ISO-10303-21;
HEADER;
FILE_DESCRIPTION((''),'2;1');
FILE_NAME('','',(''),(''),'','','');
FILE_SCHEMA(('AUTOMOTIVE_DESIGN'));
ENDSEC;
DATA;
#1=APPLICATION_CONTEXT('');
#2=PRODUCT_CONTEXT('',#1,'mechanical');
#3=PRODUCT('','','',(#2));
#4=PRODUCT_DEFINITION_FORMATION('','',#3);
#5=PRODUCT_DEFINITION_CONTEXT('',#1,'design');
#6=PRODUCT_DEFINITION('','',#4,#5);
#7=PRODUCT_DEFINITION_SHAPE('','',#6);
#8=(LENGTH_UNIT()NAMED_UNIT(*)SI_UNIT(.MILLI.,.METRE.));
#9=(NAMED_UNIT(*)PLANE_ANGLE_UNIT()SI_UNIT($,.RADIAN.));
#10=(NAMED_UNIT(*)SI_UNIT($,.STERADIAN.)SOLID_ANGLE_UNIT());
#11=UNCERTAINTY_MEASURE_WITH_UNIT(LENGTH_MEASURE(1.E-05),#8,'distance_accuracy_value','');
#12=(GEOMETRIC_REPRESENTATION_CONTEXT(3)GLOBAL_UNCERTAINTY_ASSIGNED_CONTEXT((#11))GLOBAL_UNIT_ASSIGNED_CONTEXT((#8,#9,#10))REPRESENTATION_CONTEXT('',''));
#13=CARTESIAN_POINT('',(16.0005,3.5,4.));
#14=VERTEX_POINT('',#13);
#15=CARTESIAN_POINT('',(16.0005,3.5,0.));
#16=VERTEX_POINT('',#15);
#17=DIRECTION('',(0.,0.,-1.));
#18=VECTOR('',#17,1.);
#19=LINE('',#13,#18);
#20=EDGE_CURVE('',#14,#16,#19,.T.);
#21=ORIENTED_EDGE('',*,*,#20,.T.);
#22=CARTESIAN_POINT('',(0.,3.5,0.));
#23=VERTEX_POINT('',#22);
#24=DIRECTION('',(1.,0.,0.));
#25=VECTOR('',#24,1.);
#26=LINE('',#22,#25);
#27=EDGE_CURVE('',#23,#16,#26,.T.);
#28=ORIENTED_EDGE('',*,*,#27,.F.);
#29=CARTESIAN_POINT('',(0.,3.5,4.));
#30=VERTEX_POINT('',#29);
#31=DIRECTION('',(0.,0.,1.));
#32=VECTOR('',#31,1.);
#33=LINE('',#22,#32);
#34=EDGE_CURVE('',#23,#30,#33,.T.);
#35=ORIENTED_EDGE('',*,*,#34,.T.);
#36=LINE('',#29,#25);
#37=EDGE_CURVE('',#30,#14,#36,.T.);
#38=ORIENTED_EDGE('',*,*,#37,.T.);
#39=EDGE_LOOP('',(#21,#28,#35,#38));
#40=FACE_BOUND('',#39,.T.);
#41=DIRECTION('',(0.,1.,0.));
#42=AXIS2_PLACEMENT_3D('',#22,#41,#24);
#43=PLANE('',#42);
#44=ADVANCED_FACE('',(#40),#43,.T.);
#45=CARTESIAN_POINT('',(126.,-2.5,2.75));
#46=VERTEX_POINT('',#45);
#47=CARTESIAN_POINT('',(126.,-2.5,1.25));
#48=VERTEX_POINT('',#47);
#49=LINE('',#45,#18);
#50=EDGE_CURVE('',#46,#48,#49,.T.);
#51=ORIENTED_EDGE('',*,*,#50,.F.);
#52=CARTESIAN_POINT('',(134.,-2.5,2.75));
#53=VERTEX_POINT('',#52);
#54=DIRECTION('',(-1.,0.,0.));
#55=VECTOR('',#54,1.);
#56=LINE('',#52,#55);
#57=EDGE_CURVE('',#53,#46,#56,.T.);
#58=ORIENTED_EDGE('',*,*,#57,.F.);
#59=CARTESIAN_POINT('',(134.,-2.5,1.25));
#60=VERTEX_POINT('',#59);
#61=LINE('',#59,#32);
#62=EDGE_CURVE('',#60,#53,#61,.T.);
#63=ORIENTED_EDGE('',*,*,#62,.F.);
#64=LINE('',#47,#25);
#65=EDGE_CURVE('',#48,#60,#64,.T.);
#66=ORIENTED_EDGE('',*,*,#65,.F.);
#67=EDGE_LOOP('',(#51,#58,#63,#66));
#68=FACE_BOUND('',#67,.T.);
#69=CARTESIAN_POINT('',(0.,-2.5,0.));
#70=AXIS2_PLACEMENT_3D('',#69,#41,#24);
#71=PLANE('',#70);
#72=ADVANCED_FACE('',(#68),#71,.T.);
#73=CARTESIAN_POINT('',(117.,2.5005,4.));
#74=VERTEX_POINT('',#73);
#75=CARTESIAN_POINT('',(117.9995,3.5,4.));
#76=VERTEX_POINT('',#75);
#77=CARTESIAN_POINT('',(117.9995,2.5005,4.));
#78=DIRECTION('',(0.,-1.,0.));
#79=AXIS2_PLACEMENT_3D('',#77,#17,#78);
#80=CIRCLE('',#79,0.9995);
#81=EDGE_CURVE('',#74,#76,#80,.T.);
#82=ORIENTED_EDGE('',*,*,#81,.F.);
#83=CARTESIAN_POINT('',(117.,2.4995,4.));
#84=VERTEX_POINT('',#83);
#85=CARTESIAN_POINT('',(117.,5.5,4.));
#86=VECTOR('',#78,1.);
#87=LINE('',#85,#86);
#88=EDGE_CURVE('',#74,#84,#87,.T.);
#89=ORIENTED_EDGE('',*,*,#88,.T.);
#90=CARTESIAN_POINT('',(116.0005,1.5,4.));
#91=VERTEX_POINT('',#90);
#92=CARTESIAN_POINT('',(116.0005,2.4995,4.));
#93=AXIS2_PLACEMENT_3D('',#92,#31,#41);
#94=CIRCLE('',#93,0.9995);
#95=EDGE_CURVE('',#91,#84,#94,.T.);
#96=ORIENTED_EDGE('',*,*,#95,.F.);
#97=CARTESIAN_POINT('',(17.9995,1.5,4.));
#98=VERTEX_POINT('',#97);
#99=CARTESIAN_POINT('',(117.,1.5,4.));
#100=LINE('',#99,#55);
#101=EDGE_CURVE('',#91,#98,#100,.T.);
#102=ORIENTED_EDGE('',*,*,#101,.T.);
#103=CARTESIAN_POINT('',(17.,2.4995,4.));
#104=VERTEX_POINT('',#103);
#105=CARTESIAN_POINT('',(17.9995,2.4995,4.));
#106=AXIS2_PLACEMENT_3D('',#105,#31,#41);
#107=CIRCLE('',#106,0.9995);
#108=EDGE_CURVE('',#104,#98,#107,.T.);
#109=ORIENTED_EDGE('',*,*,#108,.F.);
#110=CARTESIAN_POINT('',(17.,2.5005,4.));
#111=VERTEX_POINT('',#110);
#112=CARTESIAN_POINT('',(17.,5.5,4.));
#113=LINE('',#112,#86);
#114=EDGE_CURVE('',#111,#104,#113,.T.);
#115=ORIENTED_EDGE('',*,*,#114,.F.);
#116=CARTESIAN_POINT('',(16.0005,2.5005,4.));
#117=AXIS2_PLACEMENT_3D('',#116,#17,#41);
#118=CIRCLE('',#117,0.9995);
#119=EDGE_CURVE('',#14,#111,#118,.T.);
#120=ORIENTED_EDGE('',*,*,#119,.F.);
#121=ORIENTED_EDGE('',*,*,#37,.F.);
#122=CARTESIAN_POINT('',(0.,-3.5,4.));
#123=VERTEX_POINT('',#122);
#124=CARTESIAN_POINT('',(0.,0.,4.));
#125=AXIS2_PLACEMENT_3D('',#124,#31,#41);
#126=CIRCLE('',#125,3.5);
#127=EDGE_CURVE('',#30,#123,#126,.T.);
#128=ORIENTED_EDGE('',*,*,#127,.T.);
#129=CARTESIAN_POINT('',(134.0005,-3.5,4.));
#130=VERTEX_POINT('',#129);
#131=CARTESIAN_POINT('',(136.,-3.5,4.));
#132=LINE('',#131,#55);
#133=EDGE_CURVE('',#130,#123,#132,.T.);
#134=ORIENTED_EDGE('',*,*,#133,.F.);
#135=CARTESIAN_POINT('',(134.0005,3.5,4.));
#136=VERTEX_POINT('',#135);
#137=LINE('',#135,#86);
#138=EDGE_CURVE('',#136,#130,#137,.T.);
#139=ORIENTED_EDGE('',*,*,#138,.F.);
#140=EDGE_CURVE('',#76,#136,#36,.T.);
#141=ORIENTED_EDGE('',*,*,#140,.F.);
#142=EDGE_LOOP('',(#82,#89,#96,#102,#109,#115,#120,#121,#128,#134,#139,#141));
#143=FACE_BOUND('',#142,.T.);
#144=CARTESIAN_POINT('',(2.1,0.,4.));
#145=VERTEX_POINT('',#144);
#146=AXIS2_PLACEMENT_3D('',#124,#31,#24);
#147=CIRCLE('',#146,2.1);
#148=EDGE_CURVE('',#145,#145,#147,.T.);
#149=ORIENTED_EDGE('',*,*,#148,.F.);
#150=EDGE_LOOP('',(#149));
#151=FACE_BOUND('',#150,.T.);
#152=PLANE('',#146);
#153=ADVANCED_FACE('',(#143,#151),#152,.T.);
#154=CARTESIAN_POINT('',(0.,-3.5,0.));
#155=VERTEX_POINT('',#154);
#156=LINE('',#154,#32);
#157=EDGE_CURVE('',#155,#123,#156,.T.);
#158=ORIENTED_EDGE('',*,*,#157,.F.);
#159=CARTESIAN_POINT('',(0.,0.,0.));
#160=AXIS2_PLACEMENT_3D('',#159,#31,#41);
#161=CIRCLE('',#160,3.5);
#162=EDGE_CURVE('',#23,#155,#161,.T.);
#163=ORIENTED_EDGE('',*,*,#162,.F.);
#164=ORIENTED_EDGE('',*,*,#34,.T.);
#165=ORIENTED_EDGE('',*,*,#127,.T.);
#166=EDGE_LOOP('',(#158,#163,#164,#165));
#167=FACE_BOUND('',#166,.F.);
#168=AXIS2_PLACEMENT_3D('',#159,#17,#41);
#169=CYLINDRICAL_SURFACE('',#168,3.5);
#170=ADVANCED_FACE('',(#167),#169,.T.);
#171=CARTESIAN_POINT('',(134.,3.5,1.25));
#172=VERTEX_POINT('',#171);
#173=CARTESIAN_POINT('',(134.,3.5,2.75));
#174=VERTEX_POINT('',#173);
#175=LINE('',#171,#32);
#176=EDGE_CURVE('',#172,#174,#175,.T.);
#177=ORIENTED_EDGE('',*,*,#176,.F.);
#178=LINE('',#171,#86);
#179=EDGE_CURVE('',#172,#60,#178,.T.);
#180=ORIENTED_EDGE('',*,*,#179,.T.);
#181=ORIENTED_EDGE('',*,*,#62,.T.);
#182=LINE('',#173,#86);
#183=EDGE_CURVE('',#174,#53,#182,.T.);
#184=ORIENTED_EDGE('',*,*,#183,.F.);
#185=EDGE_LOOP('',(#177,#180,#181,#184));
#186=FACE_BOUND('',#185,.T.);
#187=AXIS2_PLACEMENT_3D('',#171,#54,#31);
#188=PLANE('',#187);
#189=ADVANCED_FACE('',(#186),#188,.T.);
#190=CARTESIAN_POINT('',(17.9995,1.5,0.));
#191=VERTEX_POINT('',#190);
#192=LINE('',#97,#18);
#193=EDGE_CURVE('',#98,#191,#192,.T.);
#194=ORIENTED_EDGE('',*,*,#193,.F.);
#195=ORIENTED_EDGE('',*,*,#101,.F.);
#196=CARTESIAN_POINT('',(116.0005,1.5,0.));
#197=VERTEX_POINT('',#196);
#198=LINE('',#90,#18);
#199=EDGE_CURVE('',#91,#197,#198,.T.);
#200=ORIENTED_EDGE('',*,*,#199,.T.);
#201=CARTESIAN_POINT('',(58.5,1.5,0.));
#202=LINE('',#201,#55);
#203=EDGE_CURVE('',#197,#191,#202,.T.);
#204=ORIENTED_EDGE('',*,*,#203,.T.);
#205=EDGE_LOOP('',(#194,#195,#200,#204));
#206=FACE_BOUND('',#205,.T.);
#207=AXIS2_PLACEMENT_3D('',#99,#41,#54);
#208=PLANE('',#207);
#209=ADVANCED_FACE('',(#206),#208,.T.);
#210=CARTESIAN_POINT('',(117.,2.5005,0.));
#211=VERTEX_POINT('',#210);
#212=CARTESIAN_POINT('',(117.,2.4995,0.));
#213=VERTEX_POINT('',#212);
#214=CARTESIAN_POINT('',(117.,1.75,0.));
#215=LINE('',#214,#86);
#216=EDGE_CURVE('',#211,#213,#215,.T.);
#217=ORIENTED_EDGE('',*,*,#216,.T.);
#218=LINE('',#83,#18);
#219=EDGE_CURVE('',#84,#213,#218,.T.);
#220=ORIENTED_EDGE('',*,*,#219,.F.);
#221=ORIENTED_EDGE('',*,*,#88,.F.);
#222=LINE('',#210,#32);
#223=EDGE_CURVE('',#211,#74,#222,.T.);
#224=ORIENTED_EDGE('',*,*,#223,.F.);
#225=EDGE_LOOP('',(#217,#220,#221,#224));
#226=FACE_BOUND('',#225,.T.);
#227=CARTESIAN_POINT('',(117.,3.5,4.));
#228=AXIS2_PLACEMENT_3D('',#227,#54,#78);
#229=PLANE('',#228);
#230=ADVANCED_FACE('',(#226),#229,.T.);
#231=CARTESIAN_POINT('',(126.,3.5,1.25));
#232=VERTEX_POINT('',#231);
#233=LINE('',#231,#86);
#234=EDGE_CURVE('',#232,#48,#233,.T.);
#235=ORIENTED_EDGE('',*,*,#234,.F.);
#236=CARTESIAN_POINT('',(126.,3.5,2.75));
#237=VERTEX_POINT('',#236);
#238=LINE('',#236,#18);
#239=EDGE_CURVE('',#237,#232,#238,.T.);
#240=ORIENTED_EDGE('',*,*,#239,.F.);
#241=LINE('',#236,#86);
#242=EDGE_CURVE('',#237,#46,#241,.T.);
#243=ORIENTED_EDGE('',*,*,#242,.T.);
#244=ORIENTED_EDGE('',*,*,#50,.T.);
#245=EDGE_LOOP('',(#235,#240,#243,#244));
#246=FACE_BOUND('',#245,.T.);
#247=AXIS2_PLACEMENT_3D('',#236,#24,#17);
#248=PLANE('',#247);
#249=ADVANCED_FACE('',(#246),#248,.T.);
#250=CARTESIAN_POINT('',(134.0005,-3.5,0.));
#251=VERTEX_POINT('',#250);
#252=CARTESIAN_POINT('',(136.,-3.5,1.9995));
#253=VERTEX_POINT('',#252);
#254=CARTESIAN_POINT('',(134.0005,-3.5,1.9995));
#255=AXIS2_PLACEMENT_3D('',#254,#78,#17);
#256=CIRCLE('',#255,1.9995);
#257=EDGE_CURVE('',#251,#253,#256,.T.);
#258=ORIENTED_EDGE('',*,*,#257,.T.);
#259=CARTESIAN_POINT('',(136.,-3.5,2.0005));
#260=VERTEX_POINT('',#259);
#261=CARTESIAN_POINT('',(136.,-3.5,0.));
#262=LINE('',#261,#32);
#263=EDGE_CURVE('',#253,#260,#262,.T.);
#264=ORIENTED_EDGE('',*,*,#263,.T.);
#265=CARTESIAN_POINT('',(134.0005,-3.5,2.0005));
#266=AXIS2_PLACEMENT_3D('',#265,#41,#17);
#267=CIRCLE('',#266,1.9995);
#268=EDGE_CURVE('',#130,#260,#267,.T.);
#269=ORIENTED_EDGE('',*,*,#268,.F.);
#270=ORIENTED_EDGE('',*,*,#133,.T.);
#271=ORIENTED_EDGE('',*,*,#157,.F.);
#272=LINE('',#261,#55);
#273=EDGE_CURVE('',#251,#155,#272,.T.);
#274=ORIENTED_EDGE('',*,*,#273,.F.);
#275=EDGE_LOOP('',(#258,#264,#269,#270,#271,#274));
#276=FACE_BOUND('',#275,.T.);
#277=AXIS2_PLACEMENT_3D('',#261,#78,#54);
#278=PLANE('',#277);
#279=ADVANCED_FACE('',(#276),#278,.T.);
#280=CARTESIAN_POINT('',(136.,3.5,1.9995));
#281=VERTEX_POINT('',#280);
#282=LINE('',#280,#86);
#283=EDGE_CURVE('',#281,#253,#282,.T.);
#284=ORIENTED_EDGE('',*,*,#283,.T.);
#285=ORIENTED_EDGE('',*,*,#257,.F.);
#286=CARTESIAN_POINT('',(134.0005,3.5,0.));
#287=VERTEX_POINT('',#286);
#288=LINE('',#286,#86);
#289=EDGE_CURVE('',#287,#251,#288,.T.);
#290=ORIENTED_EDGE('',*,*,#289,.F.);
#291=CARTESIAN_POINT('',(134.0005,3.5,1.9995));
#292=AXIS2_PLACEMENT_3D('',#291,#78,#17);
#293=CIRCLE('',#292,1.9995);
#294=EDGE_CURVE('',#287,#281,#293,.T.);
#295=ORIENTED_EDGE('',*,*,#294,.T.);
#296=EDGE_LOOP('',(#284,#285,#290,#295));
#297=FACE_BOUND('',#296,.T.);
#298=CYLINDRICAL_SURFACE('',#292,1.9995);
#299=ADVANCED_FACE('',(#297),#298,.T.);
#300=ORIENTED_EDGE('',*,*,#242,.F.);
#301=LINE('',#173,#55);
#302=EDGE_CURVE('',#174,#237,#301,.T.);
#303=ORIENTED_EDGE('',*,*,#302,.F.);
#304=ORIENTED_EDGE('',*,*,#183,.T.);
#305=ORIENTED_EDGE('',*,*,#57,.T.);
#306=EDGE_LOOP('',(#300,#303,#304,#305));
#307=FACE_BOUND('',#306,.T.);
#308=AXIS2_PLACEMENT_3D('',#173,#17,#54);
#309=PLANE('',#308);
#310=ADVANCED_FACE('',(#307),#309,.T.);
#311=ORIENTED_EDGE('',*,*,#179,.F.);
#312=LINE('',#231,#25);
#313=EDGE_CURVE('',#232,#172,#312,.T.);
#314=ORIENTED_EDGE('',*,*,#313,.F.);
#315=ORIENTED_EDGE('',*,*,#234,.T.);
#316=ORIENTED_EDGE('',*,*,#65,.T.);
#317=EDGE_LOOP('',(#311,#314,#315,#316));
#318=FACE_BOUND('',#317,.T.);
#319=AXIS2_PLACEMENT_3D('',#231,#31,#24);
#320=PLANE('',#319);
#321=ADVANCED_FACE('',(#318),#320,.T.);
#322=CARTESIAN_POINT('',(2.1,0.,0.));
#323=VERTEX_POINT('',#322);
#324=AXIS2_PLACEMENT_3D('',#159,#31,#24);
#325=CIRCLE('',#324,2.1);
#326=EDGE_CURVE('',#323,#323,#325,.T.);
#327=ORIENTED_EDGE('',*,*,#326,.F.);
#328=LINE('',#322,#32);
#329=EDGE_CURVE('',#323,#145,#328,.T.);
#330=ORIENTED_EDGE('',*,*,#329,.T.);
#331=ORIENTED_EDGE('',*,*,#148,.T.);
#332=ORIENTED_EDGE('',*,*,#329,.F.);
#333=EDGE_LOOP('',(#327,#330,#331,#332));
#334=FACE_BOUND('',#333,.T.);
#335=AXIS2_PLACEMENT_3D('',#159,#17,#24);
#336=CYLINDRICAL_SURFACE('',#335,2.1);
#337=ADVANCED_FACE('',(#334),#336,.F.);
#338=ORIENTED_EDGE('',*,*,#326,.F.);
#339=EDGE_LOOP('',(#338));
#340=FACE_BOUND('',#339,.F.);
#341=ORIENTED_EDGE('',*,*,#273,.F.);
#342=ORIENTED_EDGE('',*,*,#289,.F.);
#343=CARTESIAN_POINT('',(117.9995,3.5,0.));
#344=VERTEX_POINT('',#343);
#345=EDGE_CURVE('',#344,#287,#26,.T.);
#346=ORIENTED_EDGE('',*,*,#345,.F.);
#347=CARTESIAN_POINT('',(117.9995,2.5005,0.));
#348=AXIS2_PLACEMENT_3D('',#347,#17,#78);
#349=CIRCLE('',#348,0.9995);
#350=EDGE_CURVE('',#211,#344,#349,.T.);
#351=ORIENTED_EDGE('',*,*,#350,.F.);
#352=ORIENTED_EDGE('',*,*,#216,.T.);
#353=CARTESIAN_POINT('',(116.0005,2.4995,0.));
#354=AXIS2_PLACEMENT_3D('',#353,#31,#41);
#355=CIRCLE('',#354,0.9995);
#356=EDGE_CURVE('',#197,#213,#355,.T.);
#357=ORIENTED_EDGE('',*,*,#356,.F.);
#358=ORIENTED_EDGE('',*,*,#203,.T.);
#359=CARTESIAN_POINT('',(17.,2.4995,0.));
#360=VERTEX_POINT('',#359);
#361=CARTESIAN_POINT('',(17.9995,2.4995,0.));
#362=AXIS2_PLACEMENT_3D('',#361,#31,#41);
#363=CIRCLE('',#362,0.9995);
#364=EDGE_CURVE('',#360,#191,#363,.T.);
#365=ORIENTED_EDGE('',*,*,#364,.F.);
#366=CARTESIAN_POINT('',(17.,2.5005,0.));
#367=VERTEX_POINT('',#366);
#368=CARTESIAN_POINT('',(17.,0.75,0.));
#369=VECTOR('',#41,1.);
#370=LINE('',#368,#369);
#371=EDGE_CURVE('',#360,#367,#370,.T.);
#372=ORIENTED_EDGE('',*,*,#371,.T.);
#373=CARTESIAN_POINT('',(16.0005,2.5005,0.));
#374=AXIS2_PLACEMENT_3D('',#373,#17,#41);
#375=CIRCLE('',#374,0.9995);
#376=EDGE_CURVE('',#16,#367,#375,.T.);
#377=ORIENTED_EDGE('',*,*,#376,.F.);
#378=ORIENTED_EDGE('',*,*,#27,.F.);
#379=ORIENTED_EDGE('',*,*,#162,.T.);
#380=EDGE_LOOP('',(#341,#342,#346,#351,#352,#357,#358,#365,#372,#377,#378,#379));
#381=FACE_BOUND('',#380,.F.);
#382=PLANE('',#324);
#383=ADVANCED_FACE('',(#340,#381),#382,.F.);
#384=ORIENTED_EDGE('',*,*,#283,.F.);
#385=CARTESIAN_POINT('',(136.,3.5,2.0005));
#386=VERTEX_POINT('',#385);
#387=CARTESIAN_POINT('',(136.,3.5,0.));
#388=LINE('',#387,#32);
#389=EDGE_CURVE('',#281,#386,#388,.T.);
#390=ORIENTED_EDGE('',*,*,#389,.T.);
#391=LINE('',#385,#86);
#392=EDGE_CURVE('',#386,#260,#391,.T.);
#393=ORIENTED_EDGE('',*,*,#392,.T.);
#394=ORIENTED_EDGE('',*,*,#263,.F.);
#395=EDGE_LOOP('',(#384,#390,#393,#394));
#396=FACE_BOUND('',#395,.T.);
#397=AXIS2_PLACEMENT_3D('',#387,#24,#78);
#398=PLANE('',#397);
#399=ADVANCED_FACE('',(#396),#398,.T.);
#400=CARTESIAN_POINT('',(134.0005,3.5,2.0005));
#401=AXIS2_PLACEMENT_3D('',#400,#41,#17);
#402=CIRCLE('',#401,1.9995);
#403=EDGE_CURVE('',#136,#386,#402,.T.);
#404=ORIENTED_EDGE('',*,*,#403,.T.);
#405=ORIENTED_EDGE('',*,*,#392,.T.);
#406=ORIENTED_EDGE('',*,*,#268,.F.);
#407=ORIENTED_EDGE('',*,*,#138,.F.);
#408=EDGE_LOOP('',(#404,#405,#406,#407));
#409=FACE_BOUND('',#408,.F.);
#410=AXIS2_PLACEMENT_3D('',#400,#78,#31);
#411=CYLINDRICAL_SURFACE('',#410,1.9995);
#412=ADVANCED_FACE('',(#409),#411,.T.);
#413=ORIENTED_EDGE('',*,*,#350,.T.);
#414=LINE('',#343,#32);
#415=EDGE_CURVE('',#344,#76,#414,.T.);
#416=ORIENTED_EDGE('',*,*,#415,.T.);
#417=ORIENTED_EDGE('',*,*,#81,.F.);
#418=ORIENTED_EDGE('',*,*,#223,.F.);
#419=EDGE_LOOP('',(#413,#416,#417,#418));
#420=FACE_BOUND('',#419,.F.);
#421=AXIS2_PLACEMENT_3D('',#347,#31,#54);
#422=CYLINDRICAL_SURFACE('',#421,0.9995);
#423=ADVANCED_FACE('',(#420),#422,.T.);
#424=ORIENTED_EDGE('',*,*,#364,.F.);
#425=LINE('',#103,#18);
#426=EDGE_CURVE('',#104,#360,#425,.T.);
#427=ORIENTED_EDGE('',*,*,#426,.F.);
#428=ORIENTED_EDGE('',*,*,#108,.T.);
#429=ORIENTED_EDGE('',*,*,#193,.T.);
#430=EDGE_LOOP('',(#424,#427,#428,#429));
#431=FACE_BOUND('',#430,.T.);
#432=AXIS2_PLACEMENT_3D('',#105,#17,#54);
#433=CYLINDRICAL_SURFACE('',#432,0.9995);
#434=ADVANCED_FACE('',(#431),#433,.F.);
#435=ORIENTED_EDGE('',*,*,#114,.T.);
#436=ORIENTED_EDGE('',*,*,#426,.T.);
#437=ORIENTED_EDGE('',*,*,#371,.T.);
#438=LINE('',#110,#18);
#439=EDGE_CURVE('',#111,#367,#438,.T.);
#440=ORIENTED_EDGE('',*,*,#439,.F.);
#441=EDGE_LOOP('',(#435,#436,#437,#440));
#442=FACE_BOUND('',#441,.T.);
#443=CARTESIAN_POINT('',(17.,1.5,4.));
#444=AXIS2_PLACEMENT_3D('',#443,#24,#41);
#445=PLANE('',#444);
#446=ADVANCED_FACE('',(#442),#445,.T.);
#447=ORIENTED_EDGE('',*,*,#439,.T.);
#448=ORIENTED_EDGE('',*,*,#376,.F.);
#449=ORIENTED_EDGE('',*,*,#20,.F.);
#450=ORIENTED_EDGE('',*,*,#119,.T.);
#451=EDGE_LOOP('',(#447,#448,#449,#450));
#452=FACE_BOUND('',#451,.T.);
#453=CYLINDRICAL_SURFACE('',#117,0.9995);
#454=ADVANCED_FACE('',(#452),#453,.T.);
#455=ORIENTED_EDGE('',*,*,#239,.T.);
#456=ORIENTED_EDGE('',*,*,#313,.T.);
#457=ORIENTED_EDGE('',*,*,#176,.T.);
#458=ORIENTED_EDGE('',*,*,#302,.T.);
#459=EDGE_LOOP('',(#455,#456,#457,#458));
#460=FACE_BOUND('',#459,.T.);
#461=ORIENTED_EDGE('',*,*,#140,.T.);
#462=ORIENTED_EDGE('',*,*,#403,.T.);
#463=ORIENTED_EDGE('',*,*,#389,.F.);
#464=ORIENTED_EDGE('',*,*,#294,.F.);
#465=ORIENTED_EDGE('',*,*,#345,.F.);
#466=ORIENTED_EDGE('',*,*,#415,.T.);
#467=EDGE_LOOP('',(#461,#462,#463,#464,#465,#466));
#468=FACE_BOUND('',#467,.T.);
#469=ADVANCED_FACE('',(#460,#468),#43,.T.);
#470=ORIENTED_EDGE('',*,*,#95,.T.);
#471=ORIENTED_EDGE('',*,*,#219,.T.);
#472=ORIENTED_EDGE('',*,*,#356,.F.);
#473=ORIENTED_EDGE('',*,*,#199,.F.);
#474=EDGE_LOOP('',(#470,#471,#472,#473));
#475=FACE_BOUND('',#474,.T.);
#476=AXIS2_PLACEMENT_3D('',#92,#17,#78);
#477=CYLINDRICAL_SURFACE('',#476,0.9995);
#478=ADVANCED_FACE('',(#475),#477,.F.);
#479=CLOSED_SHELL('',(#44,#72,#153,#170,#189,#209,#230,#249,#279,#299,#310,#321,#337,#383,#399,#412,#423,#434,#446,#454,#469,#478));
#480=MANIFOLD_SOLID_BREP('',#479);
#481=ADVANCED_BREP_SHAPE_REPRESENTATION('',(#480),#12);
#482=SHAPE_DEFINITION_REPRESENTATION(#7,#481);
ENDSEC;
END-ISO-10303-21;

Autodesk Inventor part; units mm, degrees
ref_plane "YZ Plane" through (0, 0, 0) normal (1, 0, 0) x (0, 1, 0)
ref_plane "XZ Plane" through (0, 0, 0) normal (0, 1, 0) x (-1, 0, 0)
ref_plane "XY Plane" through (0, 0, 0) normal (0, 0, 1) x (1, 0, 0)
sketch "Sketch1" plane through (0, 0, 0) normal (0, 0, 1) x (1, 0, 0)
  circle A0 centre (0, 0) radius 2.1
  arc A1 (0, 3.5) -> (0, -3.5) centre (0, 0) ccw
  line L0 (0, 3.5) -> (136, 3.5)
  line L1 (136, 3.5) -> (136, -3.5)
  line L2 (136, -3.5) -> (0, -3.5)
  dimension "d0" = 4.2
  dimension "d1" = 7
  dimension "d2" = 136
extrude "Extrusion1" add sketch "Sketch1" along normal blind 4
sketch "Sketch2" plane through (0, 3.5, 0) normal (0, 1, 0) x (1, 0, 0)
  line L0 (136, 0) -> (0, 0) projected
  line L1 (0, 0) -> (0, -4) projected
  line L2 (136, -4) -> (0, -4) projected
  line L3 (136, 0) -> (136, -4) projected
  line L4 (134, -2.75) -> (126, -2.75)
  line L5 (126, -2.75) -> (126, -1.25)
  line L6 (126, -1.25) -> (134, -1.25)
  line L7 (134, -1.25) -> (134, -2.75)
  line L8 (134, -2.75) -> (126, -1.25) construction
  line L9 (126, -2.75) -> (134, -1.25) construction
  point P0 (130, -2)
  dimension "d5" = 8
  dimension "d6" = 1.5
  dimension "d7" = 130
extrude "Extrusion2" cut sketch "Sketch2" against normal blind 6 contours L4 L5 L6 L7
fillet "Fillet1" radius 2 2 edges at (136, 0, 4) (136, 0, 0)
sketch "Sketch3" plane through (0, 0, 4) normal (0, 0, 1) x (1, 0, 0)
  line L0 (134, 3.5) -> (134, -3.5) projected
  line L1 (134, 3.5) -> (0, 3.5) projected
  arc A0 (0, 3.5) -> (0, -3.5) centre (0, 0) ccw projected
  line L2 (0, -3.5) -> (134, -3.5) projected
  circle A1 centre (0, 0) radius 2.1 projected
  line L3 (126, 3.5) -> (126, -2.5) projected
  line L4 (17, 5.5) -> (117, 5.5)
  line L5 (117, 5.5) -> (117, 1.5)
  line L6 (117, 1.5) -> (17, 1.5)
  line L7 (17, 1.5) -> (17, 5.5)
  line L8 (134, 3.5) -> (0, 3.5) projected
  line L9 (17, 5.5) -> (117, 1.5) construction
  line L10 (117, 5.5) -> (17, 1.5) construction
  point P0 (67, 3.5)
  dimension "d11" = 100
  dimension "d12" = 4
extrude "Extrusion3" cut sketch "Sketch3" against normal blind 6 contours L5 L6 L7 L1 | L1 L7 L4 L5
fillet "Fillet2" radius 1 4 edges at (17, 1.5, 2) (17, 3.5, 2) (117, 3.5, 2) (117, 1.5, 2)
properties part number "Potentiometer Pushrod"
